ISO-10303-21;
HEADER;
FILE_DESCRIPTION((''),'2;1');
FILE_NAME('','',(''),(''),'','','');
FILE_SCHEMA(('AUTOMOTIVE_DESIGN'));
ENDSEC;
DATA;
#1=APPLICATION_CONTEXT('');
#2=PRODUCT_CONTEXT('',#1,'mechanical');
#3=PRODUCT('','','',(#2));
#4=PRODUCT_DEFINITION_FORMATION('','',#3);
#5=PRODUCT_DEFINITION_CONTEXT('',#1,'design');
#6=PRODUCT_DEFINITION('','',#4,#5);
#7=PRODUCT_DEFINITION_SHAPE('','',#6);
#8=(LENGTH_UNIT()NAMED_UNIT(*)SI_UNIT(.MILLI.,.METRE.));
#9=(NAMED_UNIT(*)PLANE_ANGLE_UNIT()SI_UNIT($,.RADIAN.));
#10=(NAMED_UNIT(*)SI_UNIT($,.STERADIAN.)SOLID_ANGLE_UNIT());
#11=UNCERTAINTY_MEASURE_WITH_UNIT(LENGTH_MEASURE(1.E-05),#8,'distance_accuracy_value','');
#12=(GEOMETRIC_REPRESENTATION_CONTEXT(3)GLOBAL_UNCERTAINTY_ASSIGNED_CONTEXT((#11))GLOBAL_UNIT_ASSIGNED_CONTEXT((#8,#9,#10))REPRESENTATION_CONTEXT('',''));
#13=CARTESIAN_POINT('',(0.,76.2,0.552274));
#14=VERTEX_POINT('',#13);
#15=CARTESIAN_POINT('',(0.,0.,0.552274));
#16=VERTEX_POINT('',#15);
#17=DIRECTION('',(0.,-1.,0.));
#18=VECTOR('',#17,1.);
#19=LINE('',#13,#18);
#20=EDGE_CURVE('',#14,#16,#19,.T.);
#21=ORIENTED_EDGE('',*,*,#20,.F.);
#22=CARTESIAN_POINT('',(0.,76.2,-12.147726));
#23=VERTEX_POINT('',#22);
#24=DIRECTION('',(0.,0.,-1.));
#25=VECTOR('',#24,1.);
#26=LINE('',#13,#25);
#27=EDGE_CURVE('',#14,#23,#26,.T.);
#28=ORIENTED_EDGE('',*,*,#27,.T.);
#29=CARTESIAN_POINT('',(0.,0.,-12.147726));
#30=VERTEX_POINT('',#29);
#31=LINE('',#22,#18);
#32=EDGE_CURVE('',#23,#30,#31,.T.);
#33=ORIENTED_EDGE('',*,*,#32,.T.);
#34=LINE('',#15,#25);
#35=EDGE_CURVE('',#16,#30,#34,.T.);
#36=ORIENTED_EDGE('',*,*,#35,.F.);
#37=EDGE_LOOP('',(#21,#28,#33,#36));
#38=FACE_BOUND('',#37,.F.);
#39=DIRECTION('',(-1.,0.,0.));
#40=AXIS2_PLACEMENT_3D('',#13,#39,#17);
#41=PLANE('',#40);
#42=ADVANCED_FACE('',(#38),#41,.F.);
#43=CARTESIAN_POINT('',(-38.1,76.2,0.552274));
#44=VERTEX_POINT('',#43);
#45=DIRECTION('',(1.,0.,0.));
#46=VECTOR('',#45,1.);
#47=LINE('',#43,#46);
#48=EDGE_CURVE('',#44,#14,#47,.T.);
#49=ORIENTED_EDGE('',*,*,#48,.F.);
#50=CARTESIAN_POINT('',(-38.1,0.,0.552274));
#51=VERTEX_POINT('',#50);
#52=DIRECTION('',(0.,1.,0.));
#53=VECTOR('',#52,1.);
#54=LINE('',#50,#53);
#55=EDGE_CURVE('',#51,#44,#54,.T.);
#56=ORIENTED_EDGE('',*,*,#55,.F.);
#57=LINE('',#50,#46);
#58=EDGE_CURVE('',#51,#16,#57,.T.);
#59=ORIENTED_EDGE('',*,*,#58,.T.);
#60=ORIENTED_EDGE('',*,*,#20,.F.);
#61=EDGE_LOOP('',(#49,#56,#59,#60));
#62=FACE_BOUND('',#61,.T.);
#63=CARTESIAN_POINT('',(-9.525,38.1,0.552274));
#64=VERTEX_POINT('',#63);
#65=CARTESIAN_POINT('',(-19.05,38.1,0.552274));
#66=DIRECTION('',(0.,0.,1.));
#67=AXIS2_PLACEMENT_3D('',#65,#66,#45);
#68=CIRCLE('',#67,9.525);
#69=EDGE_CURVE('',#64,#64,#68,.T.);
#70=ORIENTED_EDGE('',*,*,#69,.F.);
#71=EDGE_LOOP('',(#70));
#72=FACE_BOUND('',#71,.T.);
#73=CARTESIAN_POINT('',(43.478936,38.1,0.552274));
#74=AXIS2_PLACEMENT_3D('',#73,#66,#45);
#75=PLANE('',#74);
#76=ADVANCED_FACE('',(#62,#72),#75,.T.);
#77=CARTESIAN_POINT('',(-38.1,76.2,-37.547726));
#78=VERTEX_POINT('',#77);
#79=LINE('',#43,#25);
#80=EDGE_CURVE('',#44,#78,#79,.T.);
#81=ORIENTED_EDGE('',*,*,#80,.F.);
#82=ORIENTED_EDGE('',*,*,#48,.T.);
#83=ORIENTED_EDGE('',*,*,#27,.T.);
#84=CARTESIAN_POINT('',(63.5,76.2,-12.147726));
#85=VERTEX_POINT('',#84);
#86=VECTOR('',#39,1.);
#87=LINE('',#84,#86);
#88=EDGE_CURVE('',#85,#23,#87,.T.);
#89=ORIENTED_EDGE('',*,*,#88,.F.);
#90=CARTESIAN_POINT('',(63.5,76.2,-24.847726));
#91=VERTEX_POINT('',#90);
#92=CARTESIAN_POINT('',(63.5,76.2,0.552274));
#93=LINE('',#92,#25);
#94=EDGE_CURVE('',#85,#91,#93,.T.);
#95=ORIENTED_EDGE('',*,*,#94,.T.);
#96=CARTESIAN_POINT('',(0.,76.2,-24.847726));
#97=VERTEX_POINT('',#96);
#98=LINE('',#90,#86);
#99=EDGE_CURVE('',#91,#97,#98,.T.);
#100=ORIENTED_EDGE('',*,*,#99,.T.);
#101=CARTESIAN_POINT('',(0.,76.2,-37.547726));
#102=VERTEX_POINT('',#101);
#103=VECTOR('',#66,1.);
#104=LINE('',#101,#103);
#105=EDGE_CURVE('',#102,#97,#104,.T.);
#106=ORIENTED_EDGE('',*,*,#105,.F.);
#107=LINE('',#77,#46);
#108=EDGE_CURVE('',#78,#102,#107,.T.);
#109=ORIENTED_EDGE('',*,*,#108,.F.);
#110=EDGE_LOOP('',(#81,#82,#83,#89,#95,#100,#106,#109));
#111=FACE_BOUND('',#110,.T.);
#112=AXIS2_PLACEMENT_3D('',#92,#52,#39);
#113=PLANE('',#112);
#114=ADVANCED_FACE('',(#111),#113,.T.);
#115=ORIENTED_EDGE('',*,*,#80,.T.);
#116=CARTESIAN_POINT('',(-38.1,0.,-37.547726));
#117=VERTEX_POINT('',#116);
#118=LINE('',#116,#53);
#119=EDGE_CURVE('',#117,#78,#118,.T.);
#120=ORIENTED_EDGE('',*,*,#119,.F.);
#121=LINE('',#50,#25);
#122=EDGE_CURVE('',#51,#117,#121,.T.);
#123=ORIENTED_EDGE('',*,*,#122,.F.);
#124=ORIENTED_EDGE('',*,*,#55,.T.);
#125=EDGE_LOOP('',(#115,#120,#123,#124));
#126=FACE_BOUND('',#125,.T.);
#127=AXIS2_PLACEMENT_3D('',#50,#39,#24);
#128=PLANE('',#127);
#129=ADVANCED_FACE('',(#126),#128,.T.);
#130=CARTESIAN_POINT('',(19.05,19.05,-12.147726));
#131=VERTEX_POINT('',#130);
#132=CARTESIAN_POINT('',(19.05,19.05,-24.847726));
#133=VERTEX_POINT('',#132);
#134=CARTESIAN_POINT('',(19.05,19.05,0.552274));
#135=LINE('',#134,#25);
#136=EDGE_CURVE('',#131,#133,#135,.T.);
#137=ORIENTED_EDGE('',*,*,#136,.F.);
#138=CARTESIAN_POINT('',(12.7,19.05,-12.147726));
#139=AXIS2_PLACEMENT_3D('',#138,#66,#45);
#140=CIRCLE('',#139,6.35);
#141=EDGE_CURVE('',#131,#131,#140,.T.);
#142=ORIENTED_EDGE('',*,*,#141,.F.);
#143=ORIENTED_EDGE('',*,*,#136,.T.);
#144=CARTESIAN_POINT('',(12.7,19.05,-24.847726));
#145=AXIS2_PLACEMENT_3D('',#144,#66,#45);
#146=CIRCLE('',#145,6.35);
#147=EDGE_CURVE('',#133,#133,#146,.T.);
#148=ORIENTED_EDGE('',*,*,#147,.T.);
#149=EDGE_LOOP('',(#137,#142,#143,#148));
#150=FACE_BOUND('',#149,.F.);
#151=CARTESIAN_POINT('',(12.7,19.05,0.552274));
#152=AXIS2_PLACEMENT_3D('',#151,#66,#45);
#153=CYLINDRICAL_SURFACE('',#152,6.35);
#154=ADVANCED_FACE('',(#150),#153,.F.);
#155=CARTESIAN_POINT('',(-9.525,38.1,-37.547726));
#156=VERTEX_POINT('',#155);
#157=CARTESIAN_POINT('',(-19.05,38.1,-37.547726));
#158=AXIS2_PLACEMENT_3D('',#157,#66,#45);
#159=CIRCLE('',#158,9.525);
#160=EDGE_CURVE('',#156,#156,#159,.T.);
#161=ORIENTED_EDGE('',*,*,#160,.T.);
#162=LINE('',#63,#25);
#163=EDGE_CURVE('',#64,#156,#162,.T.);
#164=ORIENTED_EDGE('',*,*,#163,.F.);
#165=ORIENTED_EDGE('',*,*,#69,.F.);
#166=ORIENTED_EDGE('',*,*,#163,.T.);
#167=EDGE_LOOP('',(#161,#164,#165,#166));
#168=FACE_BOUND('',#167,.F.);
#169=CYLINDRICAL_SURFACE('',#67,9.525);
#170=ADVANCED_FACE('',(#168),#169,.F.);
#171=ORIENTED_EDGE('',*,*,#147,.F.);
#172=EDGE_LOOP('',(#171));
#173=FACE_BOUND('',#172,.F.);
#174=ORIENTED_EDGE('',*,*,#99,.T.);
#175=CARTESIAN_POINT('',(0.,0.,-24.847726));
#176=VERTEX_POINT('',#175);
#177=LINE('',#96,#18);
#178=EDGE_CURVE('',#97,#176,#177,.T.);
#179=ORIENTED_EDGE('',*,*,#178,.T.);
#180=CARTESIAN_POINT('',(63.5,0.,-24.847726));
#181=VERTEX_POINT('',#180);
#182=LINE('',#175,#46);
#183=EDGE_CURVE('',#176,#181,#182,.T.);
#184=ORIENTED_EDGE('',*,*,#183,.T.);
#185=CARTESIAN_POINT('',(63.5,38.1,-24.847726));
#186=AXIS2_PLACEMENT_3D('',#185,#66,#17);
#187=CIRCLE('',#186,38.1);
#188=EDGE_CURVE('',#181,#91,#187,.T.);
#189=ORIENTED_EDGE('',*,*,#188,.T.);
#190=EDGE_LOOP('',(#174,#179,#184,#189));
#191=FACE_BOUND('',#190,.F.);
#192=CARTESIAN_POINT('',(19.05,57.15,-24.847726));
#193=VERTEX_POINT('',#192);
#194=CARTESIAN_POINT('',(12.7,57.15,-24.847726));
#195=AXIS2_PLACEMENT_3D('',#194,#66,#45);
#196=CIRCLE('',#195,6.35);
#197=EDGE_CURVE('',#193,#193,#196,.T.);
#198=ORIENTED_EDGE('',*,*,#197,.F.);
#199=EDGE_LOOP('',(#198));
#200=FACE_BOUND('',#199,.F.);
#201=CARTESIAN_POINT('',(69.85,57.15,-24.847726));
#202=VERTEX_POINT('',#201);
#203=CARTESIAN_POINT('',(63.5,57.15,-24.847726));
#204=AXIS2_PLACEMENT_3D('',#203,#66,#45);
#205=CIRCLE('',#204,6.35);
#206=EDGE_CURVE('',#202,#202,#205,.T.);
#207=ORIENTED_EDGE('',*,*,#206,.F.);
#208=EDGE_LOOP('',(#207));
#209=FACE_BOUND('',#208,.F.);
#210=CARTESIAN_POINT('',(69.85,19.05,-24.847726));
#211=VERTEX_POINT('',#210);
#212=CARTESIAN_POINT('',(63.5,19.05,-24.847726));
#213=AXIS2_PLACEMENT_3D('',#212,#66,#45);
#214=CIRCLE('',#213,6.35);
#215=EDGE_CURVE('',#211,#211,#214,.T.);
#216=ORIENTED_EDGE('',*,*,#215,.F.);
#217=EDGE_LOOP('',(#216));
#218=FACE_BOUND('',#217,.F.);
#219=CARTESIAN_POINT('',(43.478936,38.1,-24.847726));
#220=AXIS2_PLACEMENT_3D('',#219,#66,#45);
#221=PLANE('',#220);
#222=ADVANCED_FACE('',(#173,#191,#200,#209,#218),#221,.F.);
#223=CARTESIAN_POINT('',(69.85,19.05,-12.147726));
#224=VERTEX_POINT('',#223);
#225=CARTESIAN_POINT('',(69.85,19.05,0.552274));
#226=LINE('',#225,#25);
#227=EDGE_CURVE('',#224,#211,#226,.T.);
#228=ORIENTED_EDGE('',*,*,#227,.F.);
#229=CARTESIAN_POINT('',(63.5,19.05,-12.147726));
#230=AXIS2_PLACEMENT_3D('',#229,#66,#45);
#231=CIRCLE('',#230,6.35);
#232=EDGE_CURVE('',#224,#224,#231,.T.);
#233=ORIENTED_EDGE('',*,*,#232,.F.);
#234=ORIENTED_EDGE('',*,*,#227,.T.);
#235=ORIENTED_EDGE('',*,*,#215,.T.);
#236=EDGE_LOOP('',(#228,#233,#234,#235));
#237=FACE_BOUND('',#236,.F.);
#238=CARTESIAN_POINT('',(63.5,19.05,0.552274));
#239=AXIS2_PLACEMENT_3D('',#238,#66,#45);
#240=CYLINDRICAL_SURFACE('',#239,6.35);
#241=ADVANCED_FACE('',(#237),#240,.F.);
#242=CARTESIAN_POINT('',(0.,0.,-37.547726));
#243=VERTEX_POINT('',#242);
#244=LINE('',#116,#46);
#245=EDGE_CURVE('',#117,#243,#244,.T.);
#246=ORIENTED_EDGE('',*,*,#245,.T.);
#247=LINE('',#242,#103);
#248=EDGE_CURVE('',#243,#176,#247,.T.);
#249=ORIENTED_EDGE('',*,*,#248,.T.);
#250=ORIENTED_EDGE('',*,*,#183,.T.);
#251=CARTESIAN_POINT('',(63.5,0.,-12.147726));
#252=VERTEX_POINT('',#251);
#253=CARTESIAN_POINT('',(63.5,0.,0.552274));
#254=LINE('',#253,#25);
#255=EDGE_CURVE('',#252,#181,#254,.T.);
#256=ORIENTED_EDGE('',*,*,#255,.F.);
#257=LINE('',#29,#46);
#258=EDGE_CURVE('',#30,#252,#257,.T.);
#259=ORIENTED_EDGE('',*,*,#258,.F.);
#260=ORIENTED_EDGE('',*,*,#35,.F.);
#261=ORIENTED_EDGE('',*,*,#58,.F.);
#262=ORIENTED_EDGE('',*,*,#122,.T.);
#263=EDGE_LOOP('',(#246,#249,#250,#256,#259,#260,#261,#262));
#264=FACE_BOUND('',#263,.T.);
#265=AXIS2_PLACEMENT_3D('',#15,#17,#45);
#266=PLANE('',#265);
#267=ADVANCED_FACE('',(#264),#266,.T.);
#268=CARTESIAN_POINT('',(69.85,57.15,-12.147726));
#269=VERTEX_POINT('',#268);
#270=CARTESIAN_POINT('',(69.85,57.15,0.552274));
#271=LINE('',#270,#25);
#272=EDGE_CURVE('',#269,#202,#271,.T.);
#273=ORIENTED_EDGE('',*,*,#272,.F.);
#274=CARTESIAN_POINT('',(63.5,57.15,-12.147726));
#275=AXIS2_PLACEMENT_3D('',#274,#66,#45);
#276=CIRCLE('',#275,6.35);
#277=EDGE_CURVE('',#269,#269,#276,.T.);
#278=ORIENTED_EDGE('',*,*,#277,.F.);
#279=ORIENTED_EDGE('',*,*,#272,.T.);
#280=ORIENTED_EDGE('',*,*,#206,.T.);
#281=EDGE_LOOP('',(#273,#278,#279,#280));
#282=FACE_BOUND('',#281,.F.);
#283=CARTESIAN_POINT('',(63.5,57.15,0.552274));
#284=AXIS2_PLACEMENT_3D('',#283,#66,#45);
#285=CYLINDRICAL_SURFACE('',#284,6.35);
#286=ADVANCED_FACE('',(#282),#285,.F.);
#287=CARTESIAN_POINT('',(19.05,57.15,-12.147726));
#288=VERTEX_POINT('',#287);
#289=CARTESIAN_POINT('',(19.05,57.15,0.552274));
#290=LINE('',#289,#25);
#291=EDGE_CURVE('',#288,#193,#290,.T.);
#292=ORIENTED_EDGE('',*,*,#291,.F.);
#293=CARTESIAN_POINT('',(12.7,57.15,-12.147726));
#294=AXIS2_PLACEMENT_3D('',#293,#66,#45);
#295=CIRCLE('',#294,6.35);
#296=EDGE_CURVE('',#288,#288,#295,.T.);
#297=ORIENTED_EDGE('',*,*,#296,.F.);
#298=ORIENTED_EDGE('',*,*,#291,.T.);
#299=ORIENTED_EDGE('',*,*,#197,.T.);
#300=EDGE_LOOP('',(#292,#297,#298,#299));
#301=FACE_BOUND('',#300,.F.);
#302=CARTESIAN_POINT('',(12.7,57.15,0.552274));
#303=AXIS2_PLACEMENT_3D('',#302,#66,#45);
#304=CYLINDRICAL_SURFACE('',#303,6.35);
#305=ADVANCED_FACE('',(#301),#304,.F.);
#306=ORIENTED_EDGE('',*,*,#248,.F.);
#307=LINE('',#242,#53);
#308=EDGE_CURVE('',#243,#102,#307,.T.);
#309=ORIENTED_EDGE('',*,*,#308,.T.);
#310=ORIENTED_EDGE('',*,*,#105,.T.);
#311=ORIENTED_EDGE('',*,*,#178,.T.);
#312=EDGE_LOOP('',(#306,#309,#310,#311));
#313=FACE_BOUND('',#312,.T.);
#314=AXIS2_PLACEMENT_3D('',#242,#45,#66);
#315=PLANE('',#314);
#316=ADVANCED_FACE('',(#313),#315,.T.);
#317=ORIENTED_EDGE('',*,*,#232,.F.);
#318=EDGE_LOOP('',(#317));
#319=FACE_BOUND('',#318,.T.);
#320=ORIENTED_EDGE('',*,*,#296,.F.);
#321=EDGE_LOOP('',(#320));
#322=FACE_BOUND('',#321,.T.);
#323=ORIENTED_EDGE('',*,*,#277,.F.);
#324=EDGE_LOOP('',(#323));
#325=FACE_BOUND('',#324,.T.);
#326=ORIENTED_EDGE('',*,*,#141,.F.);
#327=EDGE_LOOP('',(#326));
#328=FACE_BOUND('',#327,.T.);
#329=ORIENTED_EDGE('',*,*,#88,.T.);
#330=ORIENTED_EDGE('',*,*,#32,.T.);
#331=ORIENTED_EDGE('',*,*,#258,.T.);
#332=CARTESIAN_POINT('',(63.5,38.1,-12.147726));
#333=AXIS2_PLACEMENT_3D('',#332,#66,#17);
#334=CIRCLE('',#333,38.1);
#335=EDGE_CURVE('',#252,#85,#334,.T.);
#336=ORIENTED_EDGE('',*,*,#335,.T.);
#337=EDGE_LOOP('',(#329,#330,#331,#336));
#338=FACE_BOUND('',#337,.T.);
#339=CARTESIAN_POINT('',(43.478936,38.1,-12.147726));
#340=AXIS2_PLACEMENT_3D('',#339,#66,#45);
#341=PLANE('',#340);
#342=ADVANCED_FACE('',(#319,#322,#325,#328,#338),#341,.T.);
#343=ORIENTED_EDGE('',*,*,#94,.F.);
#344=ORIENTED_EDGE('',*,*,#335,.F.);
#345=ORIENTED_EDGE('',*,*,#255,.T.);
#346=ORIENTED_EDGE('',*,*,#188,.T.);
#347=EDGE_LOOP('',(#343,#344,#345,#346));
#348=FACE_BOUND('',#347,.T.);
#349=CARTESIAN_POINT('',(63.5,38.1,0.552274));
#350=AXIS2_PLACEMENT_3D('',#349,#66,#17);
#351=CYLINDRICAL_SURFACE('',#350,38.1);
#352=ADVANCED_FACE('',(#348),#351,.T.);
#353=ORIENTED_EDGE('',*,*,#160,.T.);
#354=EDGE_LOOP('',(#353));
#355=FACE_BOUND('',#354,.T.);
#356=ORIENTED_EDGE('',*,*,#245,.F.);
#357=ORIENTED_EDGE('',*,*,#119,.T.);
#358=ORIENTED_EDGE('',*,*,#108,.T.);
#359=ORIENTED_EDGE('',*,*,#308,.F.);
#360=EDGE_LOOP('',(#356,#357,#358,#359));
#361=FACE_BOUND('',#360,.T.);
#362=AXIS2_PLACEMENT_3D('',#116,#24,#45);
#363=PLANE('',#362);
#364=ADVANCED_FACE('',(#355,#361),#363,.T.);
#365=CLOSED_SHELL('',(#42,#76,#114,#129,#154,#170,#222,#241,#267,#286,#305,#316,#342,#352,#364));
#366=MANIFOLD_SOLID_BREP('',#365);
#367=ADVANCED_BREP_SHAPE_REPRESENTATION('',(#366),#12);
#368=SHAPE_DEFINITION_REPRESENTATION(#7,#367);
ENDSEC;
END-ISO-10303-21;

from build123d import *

# Parameters (mm, degrees)
F1_DEPTH = 76.2
F2_R     = 9.525
F3_DEPTH = 38.101
F4_R     = 6.35
F5_DEPTH = 25.4
F6_DEPTH = 12.7


with BuildPart() as f1:
    # F0 (on Front) → F1 (new body)
    with BuildSketch(Plane.XZ):
        Polygon((0, 0.552274), (-38.1, 0.552274), (-38.1, -37.547726), (0, -37.547726), (0, -3.861072), align=None)
    extrude(amount=-F1_DEPTH)

    # F2 (on face) → F3 (cut, through all)
    with BuildSketch(Plane.XY.offset(0.552274)):
        with Locations((-19.05, 38.1)):
            Circle(F2_R)
    extrude(amount=-F3_DEPTH, mode=Mode.SUBTRACT)

    # F4 (on face) → F5 (join)
    with BuildSketch(Plane.XY.offset(0.552274)):
        with BuildLine():
            Line((0, 76.2), (0, 0))
            Line((0, 0), (63.5, 0))
            ThreePointArc((63.5, 0), (101.6, 38.1), (63.5, 76.2))
            Line((63.5, 76.2), (0, 76.2))
        make_face()
        with Locations((12.7, 19.05)):
            Circle(F4_R, mode=Mode.SUBTRACT)
        with Locations((63.5, 19.05)):
            Circle(F4_R, mode=Mode.SUBTRACT)
        with Locations((12.7, 57.15)):
            Circle(F4_R, mode=Mode.SUBTRACT)
        with Locations((63.5, 57.15)):
            Circle(F4_R, mode=Mode.SUBTRACT)
    extrude(amount=-F5_DEPTH)

    # F4 (on face) → F6 (cut)
    with BuildSketch(Plane.XY.offset(0.552274)):
        with BuildLine():
            Line((0, 76.2), (0, 0))
            Line((0, 0), (63.5, 0))
            ThreePointArc((63.5, 0), (101.6, 38.1), (63.5, 76.2))
            Line((63.5, 76.2), (0, 76.2))
        make_face()
        with Locations((12.7, 19.05)):
            Circle(F4_R, mode=Mode.SUBTRACT)
        with Locations((63.5, 19.05)):
            Circle(F4_R, mode=Mode.SUBTRACT)
        with Locations((12.7, 57.15)):
            Circle(F4_R, mode=Mode.SUBTRACT)
        with Locations((63.5, 57.15)):
            Circle(F4_R, mode=Mode.SUBTRACT)
    extrude(amount=-F6_DEPTH, mode=Mode.SUBTRACT)


solid = f1.part
